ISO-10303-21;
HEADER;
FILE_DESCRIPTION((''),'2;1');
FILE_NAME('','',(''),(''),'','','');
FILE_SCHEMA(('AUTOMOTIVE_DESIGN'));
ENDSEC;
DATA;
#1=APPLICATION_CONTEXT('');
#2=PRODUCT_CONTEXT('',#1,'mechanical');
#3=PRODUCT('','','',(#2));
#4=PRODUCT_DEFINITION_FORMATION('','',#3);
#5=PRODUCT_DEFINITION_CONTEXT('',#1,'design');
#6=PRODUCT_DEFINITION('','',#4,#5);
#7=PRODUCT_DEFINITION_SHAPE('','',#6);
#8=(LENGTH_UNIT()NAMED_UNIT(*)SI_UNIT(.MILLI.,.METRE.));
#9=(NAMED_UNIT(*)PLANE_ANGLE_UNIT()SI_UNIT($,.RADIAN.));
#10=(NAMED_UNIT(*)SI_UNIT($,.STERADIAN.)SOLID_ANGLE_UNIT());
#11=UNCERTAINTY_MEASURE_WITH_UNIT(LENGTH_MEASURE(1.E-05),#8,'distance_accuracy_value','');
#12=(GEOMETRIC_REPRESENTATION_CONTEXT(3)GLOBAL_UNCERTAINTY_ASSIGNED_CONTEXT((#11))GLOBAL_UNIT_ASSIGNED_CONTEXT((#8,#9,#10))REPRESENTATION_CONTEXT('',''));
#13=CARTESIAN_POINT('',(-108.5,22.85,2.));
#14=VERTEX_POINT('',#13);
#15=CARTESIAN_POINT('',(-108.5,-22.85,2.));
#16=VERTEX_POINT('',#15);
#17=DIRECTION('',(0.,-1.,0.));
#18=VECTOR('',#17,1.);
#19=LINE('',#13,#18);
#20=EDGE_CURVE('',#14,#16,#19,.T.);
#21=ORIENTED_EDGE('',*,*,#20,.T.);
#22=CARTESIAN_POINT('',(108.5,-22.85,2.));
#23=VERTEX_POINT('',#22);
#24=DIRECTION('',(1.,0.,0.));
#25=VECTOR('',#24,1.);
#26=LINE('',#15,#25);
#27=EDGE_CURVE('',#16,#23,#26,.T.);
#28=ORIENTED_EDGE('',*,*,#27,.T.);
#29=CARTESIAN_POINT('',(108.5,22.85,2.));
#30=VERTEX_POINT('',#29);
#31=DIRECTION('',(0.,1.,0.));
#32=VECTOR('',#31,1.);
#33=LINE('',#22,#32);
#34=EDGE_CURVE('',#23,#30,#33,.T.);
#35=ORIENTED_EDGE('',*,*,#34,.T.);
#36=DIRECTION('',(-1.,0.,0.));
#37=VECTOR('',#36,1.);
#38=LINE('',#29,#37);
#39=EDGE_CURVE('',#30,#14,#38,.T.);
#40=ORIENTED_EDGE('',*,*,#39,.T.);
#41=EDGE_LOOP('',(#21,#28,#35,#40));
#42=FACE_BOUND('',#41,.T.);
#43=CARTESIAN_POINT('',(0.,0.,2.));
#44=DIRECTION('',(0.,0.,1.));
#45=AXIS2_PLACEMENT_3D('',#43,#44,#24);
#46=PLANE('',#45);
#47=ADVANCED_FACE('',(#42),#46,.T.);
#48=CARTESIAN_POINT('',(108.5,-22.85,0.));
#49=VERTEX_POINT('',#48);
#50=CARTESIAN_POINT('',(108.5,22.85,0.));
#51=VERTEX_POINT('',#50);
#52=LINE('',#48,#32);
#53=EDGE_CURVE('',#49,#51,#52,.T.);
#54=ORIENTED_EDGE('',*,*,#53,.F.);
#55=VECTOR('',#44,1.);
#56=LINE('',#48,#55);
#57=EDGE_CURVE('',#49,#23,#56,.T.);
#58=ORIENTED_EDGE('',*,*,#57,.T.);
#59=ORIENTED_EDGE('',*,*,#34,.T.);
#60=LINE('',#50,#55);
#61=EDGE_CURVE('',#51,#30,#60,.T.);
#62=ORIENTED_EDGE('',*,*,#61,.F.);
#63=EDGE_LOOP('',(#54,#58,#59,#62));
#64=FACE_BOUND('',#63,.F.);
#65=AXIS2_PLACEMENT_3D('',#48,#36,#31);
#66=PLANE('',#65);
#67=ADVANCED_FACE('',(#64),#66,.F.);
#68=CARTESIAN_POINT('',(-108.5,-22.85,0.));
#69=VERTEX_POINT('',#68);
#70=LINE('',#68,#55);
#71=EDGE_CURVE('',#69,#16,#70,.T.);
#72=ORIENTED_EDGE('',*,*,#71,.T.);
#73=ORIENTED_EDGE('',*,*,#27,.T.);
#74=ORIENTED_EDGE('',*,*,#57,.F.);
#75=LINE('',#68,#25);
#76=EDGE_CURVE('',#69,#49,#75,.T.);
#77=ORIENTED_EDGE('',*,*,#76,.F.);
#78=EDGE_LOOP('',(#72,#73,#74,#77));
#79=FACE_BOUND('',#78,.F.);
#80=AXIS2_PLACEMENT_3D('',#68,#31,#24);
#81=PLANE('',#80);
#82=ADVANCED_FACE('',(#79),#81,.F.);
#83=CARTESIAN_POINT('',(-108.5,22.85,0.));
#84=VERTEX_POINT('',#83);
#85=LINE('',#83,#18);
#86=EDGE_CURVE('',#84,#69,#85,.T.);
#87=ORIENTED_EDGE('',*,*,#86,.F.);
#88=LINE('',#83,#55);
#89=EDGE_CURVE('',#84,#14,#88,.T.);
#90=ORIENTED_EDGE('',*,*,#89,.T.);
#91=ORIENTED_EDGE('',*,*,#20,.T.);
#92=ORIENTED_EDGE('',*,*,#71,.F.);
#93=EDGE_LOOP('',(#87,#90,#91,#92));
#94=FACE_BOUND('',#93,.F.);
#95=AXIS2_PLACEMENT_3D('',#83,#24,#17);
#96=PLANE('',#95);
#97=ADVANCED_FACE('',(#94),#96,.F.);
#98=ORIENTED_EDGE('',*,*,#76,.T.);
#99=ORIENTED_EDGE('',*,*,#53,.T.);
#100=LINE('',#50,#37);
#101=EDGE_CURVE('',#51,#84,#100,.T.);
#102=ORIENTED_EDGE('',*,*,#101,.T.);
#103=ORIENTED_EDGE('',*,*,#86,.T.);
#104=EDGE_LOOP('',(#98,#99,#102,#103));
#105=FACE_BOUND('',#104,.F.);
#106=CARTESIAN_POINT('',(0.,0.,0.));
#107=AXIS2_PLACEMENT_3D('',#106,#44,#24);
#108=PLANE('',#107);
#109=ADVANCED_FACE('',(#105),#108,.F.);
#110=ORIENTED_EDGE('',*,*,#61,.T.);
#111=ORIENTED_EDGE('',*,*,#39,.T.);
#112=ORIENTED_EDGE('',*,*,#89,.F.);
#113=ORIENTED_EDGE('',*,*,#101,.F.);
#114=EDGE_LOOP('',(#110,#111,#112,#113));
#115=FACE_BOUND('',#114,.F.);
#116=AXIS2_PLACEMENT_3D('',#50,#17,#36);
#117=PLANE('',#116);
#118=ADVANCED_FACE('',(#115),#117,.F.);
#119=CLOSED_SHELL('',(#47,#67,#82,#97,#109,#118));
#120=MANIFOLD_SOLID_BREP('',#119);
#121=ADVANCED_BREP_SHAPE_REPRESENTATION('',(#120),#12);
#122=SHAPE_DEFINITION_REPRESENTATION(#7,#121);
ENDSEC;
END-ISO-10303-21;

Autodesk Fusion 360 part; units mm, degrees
sketch "Sketch1" plane through (0, 0, 0) normal (0, 0, 1) x (1, 0, 0)
  line L0 (108.5, 22.85) -> (-108.5, 22.85)
  line L1 (-108.5, 22.85) -> (-108.5, -22.85)
  line L2 (-108.5, -22.85) -> (108.5, -22.85)
  line L3 (108.5, -22.85) -> (108.5, 22.85)
  line L4 (108.5, 22.85) -> (-108.5, -22.85) construction
  line L5 (-108.5, 22.85) -> (108.5, -22.85) construction
  dimension "d1" = 217
  dimension "d2" = 45.7
extrude "Extrude1" add sketch "Sketch1" along normal blind 2
extrude "Extrude2" [suppressed]
extrude "Extrude3" [suppressed]
